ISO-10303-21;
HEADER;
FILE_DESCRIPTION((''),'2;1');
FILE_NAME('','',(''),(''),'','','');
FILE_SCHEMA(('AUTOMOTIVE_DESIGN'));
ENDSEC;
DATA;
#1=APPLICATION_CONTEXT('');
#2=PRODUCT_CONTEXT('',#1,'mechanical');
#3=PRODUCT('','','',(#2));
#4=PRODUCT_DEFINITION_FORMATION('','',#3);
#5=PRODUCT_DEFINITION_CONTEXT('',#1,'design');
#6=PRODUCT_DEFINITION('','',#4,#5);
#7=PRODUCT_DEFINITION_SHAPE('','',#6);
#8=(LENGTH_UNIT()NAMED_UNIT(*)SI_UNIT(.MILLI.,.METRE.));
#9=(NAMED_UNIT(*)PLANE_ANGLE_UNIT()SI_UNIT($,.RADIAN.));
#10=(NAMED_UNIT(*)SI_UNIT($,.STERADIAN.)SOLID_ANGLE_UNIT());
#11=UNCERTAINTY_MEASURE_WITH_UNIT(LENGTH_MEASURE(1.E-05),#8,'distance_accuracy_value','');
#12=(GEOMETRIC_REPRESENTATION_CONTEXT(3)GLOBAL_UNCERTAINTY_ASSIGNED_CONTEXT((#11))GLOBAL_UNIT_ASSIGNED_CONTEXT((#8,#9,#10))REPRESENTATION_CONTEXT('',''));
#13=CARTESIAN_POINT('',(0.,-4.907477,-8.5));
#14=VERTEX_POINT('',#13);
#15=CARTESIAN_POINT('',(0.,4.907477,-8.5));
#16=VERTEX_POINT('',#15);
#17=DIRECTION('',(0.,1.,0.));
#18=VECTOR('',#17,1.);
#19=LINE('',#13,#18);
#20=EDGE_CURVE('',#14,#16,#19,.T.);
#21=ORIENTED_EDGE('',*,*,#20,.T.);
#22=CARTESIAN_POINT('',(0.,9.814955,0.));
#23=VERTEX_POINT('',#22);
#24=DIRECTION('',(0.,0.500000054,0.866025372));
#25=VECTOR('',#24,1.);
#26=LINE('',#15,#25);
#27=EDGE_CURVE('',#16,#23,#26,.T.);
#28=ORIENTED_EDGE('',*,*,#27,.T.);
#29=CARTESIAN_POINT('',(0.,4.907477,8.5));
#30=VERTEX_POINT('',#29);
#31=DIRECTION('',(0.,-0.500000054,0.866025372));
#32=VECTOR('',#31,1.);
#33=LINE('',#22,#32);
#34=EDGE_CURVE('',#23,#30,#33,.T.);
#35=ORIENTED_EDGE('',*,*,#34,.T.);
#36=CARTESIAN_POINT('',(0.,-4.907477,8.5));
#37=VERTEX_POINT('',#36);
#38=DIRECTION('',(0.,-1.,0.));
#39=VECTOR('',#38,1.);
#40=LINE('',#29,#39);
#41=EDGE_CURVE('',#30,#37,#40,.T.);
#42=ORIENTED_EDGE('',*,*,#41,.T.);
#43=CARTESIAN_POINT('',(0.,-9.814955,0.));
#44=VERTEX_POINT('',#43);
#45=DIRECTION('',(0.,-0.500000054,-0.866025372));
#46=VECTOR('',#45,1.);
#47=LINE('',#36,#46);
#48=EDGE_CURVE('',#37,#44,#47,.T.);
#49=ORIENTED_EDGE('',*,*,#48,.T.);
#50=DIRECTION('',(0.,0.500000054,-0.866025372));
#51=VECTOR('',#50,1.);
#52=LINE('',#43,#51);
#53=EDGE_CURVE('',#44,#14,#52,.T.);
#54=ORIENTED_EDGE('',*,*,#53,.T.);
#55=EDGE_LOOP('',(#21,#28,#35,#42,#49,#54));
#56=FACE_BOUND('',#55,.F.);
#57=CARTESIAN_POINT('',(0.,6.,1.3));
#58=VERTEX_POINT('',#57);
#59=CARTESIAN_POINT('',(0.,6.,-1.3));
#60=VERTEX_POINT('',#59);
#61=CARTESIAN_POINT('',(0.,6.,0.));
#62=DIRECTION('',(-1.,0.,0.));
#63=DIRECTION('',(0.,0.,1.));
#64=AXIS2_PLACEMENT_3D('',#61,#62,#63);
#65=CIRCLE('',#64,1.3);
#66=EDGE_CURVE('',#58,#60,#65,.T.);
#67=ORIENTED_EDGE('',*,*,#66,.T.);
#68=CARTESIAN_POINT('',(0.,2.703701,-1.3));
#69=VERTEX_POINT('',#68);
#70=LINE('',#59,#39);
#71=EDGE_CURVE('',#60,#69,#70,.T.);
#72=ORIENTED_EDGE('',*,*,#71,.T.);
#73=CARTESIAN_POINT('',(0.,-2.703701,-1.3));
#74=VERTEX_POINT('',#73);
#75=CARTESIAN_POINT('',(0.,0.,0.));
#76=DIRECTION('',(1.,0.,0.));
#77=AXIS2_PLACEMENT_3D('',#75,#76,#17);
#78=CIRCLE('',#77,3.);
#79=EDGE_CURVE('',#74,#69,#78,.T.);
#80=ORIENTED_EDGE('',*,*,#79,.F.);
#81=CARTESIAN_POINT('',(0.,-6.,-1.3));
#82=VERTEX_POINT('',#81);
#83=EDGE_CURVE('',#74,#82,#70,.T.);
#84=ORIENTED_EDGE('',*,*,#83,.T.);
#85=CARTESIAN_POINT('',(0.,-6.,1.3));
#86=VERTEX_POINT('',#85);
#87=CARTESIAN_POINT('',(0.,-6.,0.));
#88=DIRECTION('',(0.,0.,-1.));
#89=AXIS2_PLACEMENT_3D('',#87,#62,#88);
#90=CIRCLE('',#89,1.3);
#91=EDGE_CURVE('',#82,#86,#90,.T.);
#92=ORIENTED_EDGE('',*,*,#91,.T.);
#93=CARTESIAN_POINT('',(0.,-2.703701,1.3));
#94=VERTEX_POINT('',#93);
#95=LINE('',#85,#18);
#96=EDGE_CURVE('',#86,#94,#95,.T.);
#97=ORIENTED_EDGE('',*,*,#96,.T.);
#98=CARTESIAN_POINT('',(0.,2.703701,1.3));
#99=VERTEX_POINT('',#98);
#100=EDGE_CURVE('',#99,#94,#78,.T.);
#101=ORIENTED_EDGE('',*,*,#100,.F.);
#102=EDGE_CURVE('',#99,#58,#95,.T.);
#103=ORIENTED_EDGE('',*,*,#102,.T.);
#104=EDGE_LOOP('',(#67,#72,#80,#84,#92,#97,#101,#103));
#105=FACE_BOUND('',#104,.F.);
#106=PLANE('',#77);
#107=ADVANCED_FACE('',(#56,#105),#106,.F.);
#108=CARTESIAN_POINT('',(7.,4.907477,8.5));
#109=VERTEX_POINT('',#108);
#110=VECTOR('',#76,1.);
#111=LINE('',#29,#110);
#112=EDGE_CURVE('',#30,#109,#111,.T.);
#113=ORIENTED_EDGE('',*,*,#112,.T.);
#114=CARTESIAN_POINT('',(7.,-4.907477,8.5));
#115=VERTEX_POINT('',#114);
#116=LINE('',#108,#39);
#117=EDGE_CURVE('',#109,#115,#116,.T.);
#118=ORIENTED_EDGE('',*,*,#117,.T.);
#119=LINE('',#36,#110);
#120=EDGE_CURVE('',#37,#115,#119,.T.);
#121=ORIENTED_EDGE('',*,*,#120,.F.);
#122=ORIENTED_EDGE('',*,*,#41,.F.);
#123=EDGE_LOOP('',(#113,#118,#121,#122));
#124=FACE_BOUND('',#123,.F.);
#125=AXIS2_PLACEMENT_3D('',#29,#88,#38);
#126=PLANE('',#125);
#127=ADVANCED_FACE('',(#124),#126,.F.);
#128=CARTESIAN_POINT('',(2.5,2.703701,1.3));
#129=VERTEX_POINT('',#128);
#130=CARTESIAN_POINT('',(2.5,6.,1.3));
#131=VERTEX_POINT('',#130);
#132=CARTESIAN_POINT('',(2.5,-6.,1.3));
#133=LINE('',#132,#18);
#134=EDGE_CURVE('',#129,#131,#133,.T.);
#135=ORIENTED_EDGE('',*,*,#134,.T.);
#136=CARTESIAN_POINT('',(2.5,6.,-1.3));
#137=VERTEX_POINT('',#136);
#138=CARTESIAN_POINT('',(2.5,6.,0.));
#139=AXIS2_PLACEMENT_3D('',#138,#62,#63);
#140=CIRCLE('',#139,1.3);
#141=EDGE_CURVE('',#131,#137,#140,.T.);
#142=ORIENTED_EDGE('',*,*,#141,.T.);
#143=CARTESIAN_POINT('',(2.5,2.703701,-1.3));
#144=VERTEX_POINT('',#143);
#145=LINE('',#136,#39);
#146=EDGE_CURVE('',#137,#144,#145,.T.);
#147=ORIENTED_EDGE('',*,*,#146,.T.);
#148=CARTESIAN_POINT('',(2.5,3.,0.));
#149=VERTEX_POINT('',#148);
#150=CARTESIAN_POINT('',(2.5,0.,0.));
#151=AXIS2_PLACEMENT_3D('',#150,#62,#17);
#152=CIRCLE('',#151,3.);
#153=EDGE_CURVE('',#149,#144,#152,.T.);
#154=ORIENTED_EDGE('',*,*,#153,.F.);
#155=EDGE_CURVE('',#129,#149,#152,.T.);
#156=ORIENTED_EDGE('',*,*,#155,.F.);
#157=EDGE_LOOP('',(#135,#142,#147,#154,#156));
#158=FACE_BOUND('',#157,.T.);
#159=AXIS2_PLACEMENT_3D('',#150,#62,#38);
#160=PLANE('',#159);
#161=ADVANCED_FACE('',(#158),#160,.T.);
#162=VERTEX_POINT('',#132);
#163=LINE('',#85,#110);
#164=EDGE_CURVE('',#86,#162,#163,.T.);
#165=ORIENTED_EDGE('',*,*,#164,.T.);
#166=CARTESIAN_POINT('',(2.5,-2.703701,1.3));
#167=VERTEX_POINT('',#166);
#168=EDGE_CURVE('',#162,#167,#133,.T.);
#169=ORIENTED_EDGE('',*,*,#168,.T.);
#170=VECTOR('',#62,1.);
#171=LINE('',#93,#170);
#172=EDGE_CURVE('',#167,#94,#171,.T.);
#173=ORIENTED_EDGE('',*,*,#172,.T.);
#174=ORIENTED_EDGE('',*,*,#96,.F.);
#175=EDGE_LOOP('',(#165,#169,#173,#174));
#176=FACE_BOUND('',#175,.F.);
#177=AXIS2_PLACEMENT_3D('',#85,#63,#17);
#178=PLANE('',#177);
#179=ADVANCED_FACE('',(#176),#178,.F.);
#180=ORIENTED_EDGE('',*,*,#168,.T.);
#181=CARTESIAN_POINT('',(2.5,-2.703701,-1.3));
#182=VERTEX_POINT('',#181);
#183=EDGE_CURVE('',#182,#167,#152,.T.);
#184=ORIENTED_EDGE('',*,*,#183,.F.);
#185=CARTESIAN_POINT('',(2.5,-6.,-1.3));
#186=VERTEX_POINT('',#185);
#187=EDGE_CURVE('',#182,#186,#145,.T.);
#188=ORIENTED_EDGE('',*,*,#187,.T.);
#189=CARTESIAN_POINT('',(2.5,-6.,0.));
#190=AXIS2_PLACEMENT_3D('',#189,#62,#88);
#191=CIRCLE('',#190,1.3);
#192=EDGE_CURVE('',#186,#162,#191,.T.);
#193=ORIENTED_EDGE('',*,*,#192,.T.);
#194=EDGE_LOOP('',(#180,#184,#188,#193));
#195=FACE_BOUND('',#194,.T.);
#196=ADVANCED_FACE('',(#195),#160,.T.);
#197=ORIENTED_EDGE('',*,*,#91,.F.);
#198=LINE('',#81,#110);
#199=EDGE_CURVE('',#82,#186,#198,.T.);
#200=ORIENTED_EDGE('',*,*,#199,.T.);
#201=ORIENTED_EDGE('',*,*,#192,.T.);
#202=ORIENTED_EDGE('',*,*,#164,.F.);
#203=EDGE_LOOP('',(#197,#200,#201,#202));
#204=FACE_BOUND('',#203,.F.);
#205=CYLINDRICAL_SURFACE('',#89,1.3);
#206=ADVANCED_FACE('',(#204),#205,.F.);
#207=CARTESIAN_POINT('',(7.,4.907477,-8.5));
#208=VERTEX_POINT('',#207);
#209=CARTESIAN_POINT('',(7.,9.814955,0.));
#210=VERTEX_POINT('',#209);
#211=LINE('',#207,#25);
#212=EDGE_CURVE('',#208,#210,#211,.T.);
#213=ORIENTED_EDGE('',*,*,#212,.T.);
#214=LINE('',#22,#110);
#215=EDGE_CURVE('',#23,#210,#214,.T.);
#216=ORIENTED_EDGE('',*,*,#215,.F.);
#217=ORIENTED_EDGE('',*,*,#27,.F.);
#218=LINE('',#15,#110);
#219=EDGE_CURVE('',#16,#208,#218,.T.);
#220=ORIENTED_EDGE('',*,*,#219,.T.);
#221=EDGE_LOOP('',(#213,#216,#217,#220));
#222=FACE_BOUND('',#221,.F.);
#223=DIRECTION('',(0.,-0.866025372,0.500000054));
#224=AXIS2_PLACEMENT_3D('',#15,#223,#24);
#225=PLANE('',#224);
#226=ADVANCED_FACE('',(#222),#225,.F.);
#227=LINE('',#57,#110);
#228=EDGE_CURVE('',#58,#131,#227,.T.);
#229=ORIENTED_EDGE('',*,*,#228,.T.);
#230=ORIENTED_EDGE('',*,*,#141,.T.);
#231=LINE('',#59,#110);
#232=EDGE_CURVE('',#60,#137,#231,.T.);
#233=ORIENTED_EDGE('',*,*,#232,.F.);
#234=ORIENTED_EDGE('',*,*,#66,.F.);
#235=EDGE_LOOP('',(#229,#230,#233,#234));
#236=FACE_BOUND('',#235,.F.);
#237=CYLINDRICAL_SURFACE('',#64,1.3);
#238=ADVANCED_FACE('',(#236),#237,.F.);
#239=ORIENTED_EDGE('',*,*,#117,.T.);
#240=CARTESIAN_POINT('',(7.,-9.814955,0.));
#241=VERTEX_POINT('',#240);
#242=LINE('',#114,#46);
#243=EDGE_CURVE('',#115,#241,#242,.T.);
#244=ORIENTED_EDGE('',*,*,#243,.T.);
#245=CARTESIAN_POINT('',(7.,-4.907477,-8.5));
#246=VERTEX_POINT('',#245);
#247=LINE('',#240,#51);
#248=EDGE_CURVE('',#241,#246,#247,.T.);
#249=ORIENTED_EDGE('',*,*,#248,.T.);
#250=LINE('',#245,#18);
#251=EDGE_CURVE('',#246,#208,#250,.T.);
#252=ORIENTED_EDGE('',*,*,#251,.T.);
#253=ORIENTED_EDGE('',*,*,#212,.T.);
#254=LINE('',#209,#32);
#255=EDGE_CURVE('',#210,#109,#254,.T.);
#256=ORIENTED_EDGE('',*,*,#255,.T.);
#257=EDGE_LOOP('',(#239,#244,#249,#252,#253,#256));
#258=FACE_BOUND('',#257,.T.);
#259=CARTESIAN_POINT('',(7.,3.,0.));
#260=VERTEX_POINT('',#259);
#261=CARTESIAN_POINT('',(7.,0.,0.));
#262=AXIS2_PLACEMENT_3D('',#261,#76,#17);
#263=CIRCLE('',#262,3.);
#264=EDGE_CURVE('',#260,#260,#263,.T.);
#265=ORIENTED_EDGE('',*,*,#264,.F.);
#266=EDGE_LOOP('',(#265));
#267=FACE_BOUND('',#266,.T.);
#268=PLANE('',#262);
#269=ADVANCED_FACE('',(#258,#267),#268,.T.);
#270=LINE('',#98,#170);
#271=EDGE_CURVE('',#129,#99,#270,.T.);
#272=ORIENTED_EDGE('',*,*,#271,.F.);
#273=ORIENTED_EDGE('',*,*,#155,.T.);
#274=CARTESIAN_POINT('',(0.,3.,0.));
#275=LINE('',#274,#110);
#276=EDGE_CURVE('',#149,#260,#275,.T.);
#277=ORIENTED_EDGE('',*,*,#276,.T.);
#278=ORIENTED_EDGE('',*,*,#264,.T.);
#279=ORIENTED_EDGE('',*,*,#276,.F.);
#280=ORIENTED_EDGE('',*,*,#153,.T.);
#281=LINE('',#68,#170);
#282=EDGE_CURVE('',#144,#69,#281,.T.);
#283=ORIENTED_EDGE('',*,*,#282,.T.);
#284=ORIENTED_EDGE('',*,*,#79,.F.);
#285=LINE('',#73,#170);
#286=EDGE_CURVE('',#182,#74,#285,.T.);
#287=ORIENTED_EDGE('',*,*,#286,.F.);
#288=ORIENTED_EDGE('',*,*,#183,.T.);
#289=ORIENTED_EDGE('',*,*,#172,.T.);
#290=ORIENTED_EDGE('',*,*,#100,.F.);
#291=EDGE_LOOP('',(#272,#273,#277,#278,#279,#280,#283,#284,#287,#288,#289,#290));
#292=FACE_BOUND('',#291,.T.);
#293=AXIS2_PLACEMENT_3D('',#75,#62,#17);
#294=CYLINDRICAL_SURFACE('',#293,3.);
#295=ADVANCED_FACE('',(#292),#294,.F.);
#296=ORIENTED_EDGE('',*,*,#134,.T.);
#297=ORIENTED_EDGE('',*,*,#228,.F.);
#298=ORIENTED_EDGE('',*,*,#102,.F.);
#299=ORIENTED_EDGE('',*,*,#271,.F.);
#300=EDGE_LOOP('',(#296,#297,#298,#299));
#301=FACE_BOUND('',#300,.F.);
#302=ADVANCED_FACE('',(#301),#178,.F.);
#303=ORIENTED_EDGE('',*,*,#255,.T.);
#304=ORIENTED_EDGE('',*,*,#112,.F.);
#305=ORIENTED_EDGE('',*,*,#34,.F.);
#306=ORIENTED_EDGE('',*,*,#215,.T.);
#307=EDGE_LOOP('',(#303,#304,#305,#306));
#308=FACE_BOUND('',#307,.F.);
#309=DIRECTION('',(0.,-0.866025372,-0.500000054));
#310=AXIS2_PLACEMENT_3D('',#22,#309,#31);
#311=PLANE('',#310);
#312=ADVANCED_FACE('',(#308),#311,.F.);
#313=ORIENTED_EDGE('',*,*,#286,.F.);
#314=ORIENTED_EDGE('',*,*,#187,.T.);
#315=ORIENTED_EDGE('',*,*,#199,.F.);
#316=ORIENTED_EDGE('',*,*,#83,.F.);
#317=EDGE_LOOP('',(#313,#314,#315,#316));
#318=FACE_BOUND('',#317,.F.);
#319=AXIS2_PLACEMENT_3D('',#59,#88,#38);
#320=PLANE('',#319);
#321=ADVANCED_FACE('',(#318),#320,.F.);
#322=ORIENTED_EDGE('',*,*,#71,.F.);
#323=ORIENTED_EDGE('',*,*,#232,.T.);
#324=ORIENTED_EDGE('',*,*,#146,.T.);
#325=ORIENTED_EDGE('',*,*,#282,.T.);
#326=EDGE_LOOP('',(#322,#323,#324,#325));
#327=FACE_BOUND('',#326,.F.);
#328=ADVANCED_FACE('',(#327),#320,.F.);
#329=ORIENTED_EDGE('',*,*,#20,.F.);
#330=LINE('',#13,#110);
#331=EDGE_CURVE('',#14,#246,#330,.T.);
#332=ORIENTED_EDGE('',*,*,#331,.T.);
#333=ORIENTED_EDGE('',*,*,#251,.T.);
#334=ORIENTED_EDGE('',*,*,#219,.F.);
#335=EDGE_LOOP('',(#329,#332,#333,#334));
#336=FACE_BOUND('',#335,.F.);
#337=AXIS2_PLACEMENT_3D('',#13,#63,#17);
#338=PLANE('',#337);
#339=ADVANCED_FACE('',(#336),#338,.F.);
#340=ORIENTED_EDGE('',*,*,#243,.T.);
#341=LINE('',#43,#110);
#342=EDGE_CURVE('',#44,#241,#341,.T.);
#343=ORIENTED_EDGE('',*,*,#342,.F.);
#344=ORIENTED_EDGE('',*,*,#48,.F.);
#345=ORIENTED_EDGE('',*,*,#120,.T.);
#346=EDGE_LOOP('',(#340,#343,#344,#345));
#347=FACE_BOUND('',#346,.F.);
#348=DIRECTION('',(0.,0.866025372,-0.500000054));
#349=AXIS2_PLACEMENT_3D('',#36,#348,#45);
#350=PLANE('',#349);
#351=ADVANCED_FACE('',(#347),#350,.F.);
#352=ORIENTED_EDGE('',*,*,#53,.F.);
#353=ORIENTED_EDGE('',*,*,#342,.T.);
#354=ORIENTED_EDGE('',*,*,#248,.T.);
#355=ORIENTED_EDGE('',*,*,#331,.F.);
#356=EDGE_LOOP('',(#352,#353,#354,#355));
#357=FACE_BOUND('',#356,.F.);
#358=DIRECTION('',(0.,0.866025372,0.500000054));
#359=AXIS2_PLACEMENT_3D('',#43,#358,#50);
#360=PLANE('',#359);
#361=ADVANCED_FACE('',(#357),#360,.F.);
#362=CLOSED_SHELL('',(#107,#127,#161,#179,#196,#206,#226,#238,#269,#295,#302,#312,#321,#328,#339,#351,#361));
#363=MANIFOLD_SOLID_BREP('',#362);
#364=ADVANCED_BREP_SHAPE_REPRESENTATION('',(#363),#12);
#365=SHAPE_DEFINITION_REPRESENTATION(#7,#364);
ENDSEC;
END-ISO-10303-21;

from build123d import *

# Parameters (mm, degrees)
F0_R     = 3
F1_DEPTH = 7
F3_DEPTH = 2.5


with BuildPart() as f1:
    # F0 (on Right) → F1 (new body)
    with BuildSketch(Plane.YZ):
        Polygon((4.907477, 8.5), (-4.907477, 8.5), (-9.814955, 0), (-4.907477, -8.5), (4.907477, -8.5), (9.814955, 0), align=None)
        Circle(F0_R, mode=Mode.SUBTRACT)
    extrude(amount=F1_DEPTH)

    # F2 (on face) → F3 (cut)
    with BuildSketch(Plane(origin=(0, 0, 0), x_dir=(0, -1, 0), z_dir=(-1, 0, 0))):
        with BuildLine():
            Line((6, 1.3), (-6, 1.3))
            ThreePointArc((-6, 1.3), (-7.3, 0), (-6, -1.3))
            Line((-6, -1.3), (6, -1.3))
            ThreePointArc((6, -1.3), (7.3, 0), (6, 1.3))
        make_face()
    extrude(amount=-F3_DEPTH, mode=Mode.SUBTRACT)


solid = f1.part
